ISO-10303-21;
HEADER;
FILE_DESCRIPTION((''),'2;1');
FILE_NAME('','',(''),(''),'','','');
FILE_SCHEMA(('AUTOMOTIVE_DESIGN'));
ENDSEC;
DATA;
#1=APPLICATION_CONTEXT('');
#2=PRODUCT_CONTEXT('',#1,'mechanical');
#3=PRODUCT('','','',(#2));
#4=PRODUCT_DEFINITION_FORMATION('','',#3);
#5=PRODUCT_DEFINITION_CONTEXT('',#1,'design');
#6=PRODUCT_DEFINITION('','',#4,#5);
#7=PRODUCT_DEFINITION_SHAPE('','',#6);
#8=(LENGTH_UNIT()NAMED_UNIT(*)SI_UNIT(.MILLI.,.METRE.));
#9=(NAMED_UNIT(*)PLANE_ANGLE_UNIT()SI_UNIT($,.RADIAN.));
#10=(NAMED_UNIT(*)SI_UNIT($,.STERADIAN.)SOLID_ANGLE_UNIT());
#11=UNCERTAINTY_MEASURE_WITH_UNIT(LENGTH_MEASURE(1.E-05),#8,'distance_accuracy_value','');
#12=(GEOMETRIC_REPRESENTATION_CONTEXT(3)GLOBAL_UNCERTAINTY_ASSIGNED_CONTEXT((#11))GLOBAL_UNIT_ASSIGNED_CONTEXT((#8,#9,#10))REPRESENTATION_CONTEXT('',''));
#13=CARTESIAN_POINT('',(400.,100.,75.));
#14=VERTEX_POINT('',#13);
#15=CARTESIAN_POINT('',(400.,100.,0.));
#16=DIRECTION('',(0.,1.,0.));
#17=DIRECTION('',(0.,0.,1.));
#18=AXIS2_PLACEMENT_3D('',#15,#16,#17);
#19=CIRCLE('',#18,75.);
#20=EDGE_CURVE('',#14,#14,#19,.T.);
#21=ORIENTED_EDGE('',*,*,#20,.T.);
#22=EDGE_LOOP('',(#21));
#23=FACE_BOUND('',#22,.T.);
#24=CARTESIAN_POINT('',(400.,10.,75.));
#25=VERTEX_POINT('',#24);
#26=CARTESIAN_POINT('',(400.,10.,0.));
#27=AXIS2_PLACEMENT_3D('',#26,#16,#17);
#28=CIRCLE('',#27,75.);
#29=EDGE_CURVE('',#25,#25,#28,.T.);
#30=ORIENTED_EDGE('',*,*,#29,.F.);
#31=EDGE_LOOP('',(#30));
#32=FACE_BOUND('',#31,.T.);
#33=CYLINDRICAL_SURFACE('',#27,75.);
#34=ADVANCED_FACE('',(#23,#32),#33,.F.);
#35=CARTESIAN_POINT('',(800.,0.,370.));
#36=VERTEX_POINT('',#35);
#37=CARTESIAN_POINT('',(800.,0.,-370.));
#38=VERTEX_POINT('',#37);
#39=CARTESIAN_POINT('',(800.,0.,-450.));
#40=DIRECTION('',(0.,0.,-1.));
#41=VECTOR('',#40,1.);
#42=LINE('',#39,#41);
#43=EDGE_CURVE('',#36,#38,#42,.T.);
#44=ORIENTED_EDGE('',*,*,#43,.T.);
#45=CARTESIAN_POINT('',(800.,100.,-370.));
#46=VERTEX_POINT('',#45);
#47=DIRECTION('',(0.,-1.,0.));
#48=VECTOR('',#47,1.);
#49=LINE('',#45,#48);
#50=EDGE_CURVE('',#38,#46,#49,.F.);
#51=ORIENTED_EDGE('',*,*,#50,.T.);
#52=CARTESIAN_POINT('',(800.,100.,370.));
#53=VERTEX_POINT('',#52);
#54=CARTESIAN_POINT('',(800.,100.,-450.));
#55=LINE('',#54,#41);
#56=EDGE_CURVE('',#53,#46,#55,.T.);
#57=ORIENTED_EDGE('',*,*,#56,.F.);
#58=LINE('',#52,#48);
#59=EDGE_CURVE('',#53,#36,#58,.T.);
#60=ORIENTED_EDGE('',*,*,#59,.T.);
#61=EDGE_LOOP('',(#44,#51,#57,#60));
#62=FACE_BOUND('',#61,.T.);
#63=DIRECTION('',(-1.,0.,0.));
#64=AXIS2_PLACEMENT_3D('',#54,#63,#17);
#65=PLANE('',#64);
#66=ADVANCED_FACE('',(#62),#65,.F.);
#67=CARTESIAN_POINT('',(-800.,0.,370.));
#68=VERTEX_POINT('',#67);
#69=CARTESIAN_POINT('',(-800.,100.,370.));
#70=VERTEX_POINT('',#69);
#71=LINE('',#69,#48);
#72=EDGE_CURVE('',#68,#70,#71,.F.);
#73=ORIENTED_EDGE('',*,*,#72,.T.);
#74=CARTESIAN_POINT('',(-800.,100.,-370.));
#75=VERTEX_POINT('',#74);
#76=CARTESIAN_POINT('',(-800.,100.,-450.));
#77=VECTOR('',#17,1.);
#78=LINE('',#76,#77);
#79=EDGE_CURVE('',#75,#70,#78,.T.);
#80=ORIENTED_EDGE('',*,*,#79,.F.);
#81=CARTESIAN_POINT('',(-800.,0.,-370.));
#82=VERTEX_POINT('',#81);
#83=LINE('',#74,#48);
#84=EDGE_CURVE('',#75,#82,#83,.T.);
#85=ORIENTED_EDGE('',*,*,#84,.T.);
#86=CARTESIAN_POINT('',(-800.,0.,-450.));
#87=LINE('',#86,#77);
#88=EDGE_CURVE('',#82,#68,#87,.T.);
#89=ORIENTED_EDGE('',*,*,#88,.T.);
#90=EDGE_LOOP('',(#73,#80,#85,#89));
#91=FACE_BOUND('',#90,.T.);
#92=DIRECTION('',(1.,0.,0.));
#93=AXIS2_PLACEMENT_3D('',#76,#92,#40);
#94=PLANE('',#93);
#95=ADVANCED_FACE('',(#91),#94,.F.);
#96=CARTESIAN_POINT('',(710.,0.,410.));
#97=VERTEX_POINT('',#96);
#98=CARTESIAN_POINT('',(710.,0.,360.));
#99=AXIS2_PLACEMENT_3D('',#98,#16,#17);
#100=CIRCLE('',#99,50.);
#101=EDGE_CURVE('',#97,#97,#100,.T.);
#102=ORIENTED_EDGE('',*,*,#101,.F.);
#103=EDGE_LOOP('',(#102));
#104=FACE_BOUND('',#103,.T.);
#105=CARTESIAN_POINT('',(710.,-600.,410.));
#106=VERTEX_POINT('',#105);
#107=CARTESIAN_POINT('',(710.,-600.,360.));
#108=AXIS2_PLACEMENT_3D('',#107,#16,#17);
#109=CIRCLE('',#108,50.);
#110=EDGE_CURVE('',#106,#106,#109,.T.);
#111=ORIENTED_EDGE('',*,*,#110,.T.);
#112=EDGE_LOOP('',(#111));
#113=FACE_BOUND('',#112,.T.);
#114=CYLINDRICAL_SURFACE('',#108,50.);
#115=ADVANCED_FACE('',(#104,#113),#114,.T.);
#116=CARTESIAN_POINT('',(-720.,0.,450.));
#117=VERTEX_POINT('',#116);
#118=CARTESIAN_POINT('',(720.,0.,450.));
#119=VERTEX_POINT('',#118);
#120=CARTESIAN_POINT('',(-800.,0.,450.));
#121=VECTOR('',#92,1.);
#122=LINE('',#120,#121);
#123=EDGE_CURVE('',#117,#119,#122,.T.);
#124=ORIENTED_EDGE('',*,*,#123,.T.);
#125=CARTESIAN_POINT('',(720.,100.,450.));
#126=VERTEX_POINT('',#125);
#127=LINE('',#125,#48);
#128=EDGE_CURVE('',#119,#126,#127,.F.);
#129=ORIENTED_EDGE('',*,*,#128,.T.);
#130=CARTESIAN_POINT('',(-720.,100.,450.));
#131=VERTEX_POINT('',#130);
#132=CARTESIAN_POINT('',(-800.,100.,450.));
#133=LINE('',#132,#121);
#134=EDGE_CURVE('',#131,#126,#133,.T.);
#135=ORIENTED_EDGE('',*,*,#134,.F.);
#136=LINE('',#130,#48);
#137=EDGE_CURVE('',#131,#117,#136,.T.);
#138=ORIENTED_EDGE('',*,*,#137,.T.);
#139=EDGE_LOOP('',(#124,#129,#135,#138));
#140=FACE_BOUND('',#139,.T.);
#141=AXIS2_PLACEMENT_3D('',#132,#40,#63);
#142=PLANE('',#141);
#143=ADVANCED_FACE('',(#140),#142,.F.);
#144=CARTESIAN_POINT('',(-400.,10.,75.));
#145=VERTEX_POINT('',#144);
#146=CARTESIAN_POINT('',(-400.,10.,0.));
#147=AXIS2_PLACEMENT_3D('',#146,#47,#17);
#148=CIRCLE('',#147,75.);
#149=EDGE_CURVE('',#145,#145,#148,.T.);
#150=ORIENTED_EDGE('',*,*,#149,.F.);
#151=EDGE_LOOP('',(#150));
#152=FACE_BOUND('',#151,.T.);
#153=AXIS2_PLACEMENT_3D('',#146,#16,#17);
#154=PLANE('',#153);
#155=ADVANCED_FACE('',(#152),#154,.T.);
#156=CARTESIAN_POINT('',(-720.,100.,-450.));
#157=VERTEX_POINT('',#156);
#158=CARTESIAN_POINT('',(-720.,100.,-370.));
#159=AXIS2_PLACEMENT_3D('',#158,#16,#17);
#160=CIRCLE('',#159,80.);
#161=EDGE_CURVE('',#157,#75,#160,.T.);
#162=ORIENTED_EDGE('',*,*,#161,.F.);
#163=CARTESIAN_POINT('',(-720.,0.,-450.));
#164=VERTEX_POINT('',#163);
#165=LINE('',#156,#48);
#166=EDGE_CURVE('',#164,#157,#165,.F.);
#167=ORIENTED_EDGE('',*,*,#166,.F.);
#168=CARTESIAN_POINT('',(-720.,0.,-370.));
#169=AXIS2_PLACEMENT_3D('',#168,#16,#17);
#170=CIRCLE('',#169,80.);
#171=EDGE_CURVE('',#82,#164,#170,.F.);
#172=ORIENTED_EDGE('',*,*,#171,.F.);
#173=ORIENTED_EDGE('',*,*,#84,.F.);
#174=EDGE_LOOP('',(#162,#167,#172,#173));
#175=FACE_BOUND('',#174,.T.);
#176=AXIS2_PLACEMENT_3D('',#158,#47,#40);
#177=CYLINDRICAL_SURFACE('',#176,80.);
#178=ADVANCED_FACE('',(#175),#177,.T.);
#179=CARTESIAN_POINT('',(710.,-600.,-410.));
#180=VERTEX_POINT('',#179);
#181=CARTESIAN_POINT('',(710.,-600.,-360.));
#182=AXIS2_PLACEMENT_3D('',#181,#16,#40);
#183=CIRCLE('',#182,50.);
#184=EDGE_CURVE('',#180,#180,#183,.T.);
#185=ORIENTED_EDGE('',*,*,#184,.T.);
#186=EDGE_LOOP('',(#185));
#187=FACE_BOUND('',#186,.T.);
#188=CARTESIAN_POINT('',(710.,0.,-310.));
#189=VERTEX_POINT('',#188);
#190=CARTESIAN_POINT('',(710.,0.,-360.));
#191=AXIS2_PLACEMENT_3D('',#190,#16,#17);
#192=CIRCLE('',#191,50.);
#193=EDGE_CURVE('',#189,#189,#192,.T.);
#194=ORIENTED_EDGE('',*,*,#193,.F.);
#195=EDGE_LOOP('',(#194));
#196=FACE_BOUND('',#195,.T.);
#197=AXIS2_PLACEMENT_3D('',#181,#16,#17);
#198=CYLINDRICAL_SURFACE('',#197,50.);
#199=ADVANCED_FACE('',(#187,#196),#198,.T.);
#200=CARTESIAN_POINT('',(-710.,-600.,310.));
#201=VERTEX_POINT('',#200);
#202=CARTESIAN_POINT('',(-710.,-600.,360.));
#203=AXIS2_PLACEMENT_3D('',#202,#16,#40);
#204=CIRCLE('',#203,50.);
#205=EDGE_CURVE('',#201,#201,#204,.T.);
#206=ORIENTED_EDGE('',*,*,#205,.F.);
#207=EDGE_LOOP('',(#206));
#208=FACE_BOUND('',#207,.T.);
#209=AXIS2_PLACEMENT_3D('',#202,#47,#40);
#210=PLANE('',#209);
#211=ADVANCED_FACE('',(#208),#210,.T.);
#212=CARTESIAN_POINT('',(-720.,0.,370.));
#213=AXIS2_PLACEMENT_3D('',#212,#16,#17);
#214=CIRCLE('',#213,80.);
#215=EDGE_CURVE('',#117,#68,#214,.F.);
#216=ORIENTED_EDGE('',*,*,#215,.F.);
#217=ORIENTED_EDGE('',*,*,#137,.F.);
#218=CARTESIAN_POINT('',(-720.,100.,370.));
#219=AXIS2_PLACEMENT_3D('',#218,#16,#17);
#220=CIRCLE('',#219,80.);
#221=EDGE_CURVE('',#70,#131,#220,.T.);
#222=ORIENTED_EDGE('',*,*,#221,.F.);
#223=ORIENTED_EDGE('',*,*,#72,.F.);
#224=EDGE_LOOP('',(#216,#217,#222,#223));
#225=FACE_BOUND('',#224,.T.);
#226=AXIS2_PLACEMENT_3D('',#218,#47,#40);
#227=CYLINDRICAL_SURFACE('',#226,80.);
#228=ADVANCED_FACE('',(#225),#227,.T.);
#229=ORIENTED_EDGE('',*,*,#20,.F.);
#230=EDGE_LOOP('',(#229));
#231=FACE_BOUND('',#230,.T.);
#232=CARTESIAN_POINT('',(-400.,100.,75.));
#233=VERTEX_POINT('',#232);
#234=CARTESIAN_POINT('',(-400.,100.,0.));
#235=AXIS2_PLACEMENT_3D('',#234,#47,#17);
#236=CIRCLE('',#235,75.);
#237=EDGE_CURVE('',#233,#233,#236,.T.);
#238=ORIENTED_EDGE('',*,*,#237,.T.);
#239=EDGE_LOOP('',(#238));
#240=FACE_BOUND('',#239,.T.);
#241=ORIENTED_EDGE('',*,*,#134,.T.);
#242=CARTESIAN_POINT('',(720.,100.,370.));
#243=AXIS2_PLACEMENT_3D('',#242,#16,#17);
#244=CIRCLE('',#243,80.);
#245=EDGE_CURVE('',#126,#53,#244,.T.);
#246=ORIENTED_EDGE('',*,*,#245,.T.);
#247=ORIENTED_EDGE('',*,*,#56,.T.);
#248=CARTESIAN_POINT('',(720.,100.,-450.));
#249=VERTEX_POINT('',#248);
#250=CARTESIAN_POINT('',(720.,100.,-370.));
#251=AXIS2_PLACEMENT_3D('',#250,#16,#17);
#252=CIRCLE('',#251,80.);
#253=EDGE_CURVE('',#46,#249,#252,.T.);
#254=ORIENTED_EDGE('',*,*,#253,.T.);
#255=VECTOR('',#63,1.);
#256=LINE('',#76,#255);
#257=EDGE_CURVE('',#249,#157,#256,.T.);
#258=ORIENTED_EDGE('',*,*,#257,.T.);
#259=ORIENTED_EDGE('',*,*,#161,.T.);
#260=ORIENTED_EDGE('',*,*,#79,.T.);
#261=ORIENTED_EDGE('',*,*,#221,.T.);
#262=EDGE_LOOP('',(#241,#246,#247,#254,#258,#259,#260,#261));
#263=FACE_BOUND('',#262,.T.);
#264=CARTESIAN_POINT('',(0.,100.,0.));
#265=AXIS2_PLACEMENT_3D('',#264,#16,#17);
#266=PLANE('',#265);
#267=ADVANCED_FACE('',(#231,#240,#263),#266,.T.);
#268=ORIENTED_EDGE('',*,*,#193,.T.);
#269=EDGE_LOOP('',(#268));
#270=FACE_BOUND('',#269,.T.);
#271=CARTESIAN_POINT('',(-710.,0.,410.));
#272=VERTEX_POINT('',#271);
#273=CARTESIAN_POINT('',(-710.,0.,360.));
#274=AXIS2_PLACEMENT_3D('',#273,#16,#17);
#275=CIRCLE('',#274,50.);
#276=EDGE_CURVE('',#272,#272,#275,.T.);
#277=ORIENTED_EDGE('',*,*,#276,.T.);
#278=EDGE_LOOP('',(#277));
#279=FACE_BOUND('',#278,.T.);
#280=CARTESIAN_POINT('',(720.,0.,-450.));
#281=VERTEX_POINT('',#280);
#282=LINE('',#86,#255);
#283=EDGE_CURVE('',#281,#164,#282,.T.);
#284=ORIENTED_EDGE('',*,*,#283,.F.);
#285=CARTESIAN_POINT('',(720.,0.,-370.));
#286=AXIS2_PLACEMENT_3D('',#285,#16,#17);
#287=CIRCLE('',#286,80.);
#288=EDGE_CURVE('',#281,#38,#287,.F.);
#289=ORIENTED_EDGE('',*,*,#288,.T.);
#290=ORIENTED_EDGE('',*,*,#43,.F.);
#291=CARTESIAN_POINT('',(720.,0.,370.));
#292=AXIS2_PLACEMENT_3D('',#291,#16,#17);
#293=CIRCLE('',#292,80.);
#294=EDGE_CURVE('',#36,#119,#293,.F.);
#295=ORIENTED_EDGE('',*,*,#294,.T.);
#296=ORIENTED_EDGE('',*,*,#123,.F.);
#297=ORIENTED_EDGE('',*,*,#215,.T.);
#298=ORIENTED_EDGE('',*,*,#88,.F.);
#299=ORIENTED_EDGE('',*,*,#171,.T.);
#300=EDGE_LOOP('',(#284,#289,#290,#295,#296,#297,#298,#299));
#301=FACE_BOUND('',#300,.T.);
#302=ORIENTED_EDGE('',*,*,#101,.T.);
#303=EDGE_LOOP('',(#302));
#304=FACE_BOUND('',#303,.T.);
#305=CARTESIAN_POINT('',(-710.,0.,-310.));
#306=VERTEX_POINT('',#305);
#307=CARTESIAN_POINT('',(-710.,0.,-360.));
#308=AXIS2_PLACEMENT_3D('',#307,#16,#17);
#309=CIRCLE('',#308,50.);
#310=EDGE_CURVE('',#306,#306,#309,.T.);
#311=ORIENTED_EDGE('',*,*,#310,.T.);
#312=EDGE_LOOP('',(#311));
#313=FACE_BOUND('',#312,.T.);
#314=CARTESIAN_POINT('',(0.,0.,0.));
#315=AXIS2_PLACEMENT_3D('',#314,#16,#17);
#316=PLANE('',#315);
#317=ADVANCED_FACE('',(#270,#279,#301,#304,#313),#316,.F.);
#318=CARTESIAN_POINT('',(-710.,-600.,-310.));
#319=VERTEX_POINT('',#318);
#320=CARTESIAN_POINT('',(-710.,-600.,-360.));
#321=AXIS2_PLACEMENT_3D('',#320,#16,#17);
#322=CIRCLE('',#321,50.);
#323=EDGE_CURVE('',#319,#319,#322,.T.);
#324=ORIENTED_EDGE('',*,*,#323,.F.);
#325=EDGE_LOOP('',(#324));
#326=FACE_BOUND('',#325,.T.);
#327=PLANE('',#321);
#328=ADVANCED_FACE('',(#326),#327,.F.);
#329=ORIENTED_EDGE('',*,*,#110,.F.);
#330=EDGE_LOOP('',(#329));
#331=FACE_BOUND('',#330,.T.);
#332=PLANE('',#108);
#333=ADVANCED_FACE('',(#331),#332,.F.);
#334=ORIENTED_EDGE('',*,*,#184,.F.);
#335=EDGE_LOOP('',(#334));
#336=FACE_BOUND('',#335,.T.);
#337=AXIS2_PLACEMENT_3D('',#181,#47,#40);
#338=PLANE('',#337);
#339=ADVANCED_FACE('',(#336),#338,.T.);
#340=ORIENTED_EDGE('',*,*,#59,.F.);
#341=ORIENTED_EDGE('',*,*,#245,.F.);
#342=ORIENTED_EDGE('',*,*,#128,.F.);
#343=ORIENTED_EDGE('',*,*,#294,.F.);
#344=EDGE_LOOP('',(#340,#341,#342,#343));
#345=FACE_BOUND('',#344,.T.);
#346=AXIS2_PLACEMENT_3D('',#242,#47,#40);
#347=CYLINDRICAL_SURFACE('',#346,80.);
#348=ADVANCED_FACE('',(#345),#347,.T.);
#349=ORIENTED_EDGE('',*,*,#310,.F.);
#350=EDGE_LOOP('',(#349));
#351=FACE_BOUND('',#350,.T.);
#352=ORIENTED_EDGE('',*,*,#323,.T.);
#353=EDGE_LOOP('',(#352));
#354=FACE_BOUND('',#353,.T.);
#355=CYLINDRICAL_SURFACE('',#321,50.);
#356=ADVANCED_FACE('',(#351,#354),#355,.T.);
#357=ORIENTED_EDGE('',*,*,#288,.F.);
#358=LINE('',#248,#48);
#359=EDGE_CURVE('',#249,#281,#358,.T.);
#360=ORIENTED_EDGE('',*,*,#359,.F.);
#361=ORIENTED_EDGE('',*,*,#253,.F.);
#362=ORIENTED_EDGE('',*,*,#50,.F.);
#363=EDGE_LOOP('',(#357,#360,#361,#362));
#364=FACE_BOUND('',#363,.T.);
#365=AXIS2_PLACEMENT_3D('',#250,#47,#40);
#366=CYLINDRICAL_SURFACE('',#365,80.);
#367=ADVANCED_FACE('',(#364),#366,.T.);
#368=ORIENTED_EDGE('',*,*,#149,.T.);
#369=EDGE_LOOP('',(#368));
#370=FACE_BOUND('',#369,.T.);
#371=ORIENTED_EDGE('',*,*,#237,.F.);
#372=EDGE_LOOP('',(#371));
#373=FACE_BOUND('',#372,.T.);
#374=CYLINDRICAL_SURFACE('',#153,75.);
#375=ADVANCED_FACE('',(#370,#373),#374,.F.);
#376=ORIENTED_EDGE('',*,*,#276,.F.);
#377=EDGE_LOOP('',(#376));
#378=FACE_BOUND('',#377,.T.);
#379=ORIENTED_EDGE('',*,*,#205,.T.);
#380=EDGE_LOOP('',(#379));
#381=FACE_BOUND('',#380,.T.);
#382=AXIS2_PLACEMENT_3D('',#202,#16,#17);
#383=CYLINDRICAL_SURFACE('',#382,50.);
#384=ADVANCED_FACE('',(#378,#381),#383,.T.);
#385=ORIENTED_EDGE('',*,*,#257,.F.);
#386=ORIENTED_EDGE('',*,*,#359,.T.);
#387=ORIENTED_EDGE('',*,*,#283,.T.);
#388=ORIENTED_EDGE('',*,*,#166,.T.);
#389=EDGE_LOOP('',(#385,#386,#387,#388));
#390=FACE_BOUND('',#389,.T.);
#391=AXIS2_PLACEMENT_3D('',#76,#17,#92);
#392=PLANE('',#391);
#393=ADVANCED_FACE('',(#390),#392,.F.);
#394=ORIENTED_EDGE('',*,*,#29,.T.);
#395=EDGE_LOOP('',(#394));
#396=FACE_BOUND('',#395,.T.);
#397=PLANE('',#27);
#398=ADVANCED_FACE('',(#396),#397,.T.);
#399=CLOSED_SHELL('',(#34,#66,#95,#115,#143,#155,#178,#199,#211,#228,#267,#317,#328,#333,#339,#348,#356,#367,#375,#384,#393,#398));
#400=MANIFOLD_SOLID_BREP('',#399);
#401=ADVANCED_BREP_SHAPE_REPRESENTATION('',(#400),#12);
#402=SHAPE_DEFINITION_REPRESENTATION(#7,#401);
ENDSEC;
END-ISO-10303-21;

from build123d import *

# Parameters (mm, degrees)
SKETCH5_W           = 1600
SKETCH5_H           = 900
BOSS_EXTRUDE4_DEPTH = 100
SKETCH6_R           = 50
BOSS_EXTRUDE5_DEPTH = 700
SKETCH8_R           = 75
CUT_EXTRUDE2_DEPTH  = 90
FILLET2_R           = 80


with BuildPart() as part:
    # Sketch5 → Boss-Extrude4 (new body)
    with BuildSketch(Plane(origin=(0, 0, 0), x_dir=(1, 0, 0), z_dir=(0, 1, 0))):
        Rectangle(SKETCH5_W, SKETCH5_H)
    extrude(amount=BOSS_EXTRUDE4_DEPTH)

    # Sketch6 → Boss-Extrude5 (add)
    with BuildSketch(Plane(origin=(0, 100, 0), x_dir=(1, 0, 0), z_dir=(0, 1, 0))):
        with Locations((-710, 360)):
            Circle(SKETCH6_R)
        with Locations((710, 360)):
            Circle(SKETCH6_R)
        with Locations((710, -360)):
            Circle(SKETCH6_R)
        with Locations((-710, -360)):
            Circle(SKETCH6_R)
    extrude(amount=-BOSS_EXTRUDE5_DEPTH)

    # Sketch8 → Cut-Extrude2 (cut)
    with BuildSketch(Plane(origin=(0, 100, 0), x_dir=(1, 0, 0), z_dir=(0, 1, 0))):
        with Locations((400, 0)):
            Circle(SKETCH8_R)
    cut_extrude2 = extrude(amount=-CUT_EXTRUDE2_DEPTH, mode=Mode.SUBTRACT)

    # Mirror1: Cut-Extrude2 across plane
    add(cut_extrude2.mirror(Plane(origin=(0, 0, 0), x_dir=(0, 0, 1), z_dir=(1, 0, 0))), mode=Mode.SUBTRACT)

    # Fillet2
    fillet2_edges = [part.edges().sort_by_distance(p)[0] for p in [
        (800, 50, 450),
        (-800, 50, 450),
        (-800, 50, -450),
        (800, 50, -450),
    ]]
    fillet(fillet2_edges, radius=FILLET2_R)


solid = part.part
